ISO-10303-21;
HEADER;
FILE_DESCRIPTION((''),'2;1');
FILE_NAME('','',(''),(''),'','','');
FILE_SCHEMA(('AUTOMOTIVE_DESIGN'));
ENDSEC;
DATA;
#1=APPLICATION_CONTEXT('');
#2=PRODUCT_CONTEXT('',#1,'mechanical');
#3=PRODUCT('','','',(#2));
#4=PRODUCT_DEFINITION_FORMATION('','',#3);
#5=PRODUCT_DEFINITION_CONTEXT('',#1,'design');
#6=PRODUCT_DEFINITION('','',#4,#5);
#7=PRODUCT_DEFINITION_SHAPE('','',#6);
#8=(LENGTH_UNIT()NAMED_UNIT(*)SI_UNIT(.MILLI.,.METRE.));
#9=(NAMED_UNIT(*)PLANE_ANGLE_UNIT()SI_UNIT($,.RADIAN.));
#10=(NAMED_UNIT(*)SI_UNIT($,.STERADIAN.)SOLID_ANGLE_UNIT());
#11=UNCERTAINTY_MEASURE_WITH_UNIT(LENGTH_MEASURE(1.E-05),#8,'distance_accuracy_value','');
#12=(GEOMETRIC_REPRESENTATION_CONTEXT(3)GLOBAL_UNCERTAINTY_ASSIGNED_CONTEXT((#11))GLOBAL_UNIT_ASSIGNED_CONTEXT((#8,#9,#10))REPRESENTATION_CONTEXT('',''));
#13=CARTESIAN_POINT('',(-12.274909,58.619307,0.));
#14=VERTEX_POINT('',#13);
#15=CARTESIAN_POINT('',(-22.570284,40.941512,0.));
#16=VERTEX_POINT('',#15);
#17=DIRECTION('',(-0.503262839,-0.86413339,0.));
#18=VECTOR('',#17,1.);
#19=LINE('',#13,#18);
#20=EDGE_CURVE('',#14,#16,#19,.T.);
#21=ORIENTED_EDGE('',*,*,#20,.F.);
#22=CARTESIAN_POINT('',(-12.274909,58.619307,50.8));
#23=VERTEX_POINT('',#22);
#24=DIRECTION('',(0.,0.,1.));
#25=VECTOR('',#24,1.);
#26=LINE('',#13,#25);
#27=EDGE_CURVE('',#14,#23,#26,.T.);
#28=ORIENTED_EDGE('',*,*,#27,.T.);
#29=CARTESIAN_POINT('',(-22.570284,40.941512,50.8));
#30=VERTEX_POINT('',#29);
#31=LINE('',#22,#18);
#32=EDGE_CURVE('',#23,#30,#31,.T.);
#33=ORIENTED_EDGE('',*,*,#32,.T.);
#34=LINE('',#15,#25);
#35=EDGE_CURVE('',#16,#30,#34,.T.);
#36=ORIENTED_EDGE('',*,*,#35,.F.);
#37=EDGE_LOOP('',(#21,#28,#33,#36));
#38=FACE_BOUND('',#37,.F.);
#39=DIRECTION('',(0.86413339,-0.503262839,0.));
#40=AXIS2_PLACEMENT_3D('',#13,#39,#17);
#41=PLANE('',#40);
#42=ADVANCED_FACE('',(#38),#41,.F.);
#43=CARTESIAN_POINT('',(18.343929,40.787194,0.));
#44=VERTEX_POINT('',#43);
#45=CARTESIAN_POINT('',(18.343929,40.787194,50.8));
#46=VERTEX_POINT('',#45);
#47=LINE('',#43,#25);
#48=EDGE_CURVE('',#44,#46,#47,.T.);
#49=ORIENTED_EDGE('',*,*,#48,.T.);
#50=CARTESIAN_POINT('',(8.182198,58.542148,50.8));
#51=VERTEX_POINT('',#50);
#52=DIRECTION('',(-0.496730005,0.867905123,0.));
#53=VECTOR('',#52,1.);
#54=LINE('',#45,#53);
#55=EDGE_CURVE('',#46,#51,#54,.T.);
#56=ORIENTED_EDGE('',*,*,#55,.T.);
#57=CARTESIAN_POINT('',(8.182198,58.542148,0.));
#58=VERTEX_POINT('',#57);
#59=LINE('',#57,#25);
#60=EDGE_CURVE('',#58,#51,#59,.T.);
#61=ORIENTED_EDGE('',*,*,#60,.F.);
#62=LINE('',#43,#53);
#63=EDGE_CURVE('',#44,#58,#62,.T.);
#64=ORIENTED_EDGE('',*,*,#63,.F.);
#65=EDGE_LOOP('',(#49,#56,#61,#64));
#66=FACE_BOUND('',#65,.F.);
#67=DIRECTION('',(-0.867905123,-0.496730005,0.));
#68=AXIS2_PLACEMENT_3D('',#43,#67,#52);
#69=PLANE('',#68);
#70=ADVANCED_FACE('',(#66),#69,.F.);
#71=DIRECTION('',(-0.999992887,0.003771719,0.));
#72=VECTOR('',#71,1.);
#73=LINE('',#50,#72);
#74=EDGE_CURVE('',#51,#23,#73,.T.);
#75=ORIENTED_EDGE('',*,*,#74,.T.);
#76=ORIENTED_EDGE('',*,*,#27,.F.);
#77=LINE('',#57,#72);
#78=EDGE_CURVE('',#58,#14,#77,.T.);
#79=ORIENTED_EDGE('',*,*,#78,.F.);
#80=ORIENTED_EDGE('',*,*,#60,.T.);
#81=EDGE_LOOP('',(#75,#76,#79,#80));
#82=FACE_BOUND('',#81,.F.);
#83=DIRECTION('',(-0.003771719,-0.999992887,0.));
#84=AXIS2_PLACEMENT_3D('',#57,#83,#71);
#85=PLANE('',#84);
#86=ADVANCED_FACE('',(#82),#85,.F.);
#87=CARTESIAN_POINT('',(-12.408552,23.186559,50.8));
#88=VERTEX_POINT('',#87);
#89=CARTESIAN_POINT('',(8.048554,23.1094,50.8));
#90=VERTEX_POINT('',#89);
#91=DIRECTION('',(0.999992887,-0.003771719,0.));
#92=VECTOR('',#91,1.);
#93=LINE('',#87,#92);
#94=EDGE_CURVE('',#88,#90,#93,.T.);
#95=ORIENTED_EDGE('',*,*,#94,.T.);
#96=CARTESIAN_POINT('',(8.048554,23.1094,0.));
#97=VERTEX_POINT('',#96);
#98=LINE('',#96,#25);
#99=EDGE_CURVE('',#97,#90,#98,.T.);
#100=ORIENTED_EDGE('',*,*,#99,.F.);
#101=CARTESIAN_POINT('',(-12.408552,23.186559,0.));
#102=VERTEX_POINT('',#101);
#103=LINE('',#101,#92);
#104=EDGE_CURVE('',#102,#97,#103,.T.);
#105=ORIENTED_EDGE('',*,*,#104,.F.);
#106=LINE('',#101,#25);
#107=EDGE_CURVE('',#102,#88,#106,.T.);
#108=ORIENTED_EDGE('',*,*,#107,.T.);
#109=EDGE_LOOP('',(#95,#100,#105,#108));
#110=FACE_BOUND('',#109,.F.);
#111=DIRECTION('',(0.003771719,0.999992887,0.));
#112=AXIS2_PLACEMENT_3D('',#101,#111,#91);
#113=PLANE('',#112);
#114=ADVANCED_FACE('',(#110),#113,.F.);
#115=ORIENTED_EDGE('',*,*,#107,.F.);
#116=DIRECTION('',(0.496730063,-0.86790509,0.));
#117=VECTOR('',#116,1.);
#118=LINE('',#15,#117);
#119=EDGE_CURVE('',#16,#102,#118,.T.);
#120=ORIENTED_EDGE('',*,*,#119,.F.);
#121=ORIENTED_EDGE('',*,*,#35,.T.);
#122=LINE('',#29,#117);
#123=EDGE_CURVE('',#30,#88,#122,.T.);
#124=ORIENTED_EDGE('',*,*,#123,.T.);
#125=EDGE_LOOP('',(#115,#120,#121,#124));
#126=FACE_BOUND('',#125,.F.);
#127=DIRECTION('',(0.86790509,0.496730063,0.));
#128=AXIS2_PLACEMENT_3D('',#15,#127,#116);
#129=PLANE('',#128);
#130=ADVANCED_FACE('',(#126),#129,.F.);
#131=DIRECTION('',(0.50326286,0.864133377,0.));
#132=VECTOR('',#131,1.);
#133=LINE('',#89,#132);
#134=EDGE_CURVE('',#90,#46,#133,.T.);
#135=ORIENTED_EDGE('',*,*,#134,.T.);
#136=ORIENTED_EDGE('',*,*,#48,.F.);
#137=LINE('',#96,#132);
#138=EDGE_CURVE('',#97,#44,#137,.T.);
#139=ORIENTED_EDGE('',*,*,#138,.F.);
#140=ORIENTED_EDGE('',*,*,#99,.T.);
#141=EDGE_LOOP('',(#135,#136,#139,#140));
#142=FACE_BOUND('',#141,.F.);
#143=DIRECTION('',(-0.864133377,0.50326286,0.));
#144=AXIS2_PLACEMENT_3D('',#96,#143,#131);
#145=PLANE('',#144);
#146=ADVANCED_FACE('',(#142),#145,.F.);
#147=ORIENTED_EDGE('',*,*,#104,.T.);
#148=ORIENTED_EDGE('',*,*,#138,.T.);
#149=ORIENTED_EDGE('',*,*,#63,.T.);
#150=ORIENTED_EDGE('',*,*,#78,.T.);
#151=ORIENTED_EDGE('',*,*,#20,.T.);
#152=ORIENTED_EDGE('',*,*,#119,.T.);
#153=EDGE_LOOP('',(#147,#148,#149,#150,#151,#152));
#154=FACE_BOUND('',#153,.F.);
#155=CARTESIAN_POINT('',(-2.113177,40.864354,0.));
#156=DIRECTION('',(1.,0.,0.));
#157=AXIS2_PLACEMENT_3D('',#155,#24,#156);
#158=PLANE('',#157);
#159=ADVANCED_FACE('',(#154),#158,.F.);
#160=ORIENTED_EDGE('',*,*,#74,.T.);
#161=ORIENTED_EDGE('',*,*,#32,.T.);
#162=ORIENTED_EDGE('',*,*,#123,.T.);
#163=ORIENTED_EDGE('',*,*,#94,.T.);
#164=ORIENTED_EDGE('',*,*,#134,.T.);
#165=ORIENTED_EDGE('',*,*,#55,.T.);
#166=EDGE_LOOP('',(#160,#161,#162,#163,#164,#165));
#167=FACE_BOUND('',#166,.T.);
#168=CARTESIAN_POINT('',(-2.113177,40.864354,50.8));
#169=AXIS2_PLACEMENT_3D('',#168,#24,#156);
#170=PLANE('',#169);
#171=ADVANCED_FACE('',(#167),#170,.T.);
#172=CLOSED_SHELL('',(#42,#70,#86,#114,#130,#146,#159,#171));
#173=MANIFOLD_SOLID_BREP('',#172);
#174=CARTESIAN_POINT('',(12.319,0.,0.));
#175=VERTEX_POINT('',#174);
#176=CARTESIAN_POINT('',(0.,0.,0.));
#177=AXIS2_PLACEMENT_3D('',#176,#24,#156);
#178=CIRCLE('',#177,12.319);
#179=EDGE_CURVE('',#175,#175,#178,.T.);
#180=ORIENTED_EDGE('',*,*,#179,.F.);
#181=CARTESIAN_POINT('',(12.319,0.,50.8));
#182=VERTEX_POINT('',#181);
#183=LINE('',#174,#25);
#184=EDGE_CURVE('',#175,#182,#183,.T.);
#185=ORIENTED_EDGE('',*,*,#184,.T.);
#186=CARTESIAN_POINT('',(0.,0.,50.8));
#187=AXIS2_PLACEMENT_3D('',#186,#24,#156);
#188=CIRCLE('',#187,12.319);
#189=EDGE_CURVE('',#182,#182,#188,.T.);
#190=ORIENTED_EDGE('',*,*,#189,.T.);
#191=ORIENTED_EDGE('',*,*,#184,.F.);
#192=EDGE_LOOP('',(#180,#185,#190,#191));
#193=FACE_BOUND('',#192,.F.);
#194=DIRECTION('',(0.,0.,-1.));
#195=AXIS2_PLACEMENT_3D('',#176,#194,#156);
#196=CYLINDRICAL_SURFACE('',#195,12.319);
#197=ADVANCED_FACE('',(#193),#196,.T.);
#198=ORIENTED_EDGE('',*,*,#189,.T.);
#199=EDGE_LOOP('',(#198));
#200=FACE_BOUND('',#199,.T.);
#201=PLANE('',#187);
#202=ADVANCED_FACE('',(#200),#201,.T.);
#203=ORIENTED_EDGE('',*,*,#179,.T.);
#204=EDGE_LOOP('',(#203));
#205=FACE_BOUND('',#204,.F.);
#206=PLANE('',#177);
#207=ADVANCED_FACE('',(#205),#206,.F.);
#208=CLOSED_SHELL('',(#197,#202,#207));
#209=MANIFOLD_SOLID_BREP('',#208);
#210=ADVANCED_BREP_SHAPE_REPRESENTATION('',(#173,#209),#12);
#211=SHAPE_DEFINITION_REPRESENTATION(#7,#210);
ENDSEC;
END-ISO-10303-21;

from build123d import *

# Parameters (mm, degrees)
F0_R     = 12.319
F1_DEPTH = 50.8
F3_DEPTH = 50.8


with BuildPart() as f1:
    # F0 (on Top) → F1 (new body)
    with BuildSketch(Plane.XY):
        Circle(F0_R)
    extrude(amount=F1_DEPTH)


with BuildPart() as f3:
    # F2 (on Top) → F3 (new body)
    with BuildSketch(Plane.XY):
        Polygon((-22.570284, 40.941512), (-12.408552, 23.186559), (8.048554, 23.1094), (18.343929, 40.787194), (8.182198, 58.542148), (-12.274909, 58.619307), align=None)
    extrude(amount=F3_DEPTH)


solid = Compound([f1.part, f3.part])
